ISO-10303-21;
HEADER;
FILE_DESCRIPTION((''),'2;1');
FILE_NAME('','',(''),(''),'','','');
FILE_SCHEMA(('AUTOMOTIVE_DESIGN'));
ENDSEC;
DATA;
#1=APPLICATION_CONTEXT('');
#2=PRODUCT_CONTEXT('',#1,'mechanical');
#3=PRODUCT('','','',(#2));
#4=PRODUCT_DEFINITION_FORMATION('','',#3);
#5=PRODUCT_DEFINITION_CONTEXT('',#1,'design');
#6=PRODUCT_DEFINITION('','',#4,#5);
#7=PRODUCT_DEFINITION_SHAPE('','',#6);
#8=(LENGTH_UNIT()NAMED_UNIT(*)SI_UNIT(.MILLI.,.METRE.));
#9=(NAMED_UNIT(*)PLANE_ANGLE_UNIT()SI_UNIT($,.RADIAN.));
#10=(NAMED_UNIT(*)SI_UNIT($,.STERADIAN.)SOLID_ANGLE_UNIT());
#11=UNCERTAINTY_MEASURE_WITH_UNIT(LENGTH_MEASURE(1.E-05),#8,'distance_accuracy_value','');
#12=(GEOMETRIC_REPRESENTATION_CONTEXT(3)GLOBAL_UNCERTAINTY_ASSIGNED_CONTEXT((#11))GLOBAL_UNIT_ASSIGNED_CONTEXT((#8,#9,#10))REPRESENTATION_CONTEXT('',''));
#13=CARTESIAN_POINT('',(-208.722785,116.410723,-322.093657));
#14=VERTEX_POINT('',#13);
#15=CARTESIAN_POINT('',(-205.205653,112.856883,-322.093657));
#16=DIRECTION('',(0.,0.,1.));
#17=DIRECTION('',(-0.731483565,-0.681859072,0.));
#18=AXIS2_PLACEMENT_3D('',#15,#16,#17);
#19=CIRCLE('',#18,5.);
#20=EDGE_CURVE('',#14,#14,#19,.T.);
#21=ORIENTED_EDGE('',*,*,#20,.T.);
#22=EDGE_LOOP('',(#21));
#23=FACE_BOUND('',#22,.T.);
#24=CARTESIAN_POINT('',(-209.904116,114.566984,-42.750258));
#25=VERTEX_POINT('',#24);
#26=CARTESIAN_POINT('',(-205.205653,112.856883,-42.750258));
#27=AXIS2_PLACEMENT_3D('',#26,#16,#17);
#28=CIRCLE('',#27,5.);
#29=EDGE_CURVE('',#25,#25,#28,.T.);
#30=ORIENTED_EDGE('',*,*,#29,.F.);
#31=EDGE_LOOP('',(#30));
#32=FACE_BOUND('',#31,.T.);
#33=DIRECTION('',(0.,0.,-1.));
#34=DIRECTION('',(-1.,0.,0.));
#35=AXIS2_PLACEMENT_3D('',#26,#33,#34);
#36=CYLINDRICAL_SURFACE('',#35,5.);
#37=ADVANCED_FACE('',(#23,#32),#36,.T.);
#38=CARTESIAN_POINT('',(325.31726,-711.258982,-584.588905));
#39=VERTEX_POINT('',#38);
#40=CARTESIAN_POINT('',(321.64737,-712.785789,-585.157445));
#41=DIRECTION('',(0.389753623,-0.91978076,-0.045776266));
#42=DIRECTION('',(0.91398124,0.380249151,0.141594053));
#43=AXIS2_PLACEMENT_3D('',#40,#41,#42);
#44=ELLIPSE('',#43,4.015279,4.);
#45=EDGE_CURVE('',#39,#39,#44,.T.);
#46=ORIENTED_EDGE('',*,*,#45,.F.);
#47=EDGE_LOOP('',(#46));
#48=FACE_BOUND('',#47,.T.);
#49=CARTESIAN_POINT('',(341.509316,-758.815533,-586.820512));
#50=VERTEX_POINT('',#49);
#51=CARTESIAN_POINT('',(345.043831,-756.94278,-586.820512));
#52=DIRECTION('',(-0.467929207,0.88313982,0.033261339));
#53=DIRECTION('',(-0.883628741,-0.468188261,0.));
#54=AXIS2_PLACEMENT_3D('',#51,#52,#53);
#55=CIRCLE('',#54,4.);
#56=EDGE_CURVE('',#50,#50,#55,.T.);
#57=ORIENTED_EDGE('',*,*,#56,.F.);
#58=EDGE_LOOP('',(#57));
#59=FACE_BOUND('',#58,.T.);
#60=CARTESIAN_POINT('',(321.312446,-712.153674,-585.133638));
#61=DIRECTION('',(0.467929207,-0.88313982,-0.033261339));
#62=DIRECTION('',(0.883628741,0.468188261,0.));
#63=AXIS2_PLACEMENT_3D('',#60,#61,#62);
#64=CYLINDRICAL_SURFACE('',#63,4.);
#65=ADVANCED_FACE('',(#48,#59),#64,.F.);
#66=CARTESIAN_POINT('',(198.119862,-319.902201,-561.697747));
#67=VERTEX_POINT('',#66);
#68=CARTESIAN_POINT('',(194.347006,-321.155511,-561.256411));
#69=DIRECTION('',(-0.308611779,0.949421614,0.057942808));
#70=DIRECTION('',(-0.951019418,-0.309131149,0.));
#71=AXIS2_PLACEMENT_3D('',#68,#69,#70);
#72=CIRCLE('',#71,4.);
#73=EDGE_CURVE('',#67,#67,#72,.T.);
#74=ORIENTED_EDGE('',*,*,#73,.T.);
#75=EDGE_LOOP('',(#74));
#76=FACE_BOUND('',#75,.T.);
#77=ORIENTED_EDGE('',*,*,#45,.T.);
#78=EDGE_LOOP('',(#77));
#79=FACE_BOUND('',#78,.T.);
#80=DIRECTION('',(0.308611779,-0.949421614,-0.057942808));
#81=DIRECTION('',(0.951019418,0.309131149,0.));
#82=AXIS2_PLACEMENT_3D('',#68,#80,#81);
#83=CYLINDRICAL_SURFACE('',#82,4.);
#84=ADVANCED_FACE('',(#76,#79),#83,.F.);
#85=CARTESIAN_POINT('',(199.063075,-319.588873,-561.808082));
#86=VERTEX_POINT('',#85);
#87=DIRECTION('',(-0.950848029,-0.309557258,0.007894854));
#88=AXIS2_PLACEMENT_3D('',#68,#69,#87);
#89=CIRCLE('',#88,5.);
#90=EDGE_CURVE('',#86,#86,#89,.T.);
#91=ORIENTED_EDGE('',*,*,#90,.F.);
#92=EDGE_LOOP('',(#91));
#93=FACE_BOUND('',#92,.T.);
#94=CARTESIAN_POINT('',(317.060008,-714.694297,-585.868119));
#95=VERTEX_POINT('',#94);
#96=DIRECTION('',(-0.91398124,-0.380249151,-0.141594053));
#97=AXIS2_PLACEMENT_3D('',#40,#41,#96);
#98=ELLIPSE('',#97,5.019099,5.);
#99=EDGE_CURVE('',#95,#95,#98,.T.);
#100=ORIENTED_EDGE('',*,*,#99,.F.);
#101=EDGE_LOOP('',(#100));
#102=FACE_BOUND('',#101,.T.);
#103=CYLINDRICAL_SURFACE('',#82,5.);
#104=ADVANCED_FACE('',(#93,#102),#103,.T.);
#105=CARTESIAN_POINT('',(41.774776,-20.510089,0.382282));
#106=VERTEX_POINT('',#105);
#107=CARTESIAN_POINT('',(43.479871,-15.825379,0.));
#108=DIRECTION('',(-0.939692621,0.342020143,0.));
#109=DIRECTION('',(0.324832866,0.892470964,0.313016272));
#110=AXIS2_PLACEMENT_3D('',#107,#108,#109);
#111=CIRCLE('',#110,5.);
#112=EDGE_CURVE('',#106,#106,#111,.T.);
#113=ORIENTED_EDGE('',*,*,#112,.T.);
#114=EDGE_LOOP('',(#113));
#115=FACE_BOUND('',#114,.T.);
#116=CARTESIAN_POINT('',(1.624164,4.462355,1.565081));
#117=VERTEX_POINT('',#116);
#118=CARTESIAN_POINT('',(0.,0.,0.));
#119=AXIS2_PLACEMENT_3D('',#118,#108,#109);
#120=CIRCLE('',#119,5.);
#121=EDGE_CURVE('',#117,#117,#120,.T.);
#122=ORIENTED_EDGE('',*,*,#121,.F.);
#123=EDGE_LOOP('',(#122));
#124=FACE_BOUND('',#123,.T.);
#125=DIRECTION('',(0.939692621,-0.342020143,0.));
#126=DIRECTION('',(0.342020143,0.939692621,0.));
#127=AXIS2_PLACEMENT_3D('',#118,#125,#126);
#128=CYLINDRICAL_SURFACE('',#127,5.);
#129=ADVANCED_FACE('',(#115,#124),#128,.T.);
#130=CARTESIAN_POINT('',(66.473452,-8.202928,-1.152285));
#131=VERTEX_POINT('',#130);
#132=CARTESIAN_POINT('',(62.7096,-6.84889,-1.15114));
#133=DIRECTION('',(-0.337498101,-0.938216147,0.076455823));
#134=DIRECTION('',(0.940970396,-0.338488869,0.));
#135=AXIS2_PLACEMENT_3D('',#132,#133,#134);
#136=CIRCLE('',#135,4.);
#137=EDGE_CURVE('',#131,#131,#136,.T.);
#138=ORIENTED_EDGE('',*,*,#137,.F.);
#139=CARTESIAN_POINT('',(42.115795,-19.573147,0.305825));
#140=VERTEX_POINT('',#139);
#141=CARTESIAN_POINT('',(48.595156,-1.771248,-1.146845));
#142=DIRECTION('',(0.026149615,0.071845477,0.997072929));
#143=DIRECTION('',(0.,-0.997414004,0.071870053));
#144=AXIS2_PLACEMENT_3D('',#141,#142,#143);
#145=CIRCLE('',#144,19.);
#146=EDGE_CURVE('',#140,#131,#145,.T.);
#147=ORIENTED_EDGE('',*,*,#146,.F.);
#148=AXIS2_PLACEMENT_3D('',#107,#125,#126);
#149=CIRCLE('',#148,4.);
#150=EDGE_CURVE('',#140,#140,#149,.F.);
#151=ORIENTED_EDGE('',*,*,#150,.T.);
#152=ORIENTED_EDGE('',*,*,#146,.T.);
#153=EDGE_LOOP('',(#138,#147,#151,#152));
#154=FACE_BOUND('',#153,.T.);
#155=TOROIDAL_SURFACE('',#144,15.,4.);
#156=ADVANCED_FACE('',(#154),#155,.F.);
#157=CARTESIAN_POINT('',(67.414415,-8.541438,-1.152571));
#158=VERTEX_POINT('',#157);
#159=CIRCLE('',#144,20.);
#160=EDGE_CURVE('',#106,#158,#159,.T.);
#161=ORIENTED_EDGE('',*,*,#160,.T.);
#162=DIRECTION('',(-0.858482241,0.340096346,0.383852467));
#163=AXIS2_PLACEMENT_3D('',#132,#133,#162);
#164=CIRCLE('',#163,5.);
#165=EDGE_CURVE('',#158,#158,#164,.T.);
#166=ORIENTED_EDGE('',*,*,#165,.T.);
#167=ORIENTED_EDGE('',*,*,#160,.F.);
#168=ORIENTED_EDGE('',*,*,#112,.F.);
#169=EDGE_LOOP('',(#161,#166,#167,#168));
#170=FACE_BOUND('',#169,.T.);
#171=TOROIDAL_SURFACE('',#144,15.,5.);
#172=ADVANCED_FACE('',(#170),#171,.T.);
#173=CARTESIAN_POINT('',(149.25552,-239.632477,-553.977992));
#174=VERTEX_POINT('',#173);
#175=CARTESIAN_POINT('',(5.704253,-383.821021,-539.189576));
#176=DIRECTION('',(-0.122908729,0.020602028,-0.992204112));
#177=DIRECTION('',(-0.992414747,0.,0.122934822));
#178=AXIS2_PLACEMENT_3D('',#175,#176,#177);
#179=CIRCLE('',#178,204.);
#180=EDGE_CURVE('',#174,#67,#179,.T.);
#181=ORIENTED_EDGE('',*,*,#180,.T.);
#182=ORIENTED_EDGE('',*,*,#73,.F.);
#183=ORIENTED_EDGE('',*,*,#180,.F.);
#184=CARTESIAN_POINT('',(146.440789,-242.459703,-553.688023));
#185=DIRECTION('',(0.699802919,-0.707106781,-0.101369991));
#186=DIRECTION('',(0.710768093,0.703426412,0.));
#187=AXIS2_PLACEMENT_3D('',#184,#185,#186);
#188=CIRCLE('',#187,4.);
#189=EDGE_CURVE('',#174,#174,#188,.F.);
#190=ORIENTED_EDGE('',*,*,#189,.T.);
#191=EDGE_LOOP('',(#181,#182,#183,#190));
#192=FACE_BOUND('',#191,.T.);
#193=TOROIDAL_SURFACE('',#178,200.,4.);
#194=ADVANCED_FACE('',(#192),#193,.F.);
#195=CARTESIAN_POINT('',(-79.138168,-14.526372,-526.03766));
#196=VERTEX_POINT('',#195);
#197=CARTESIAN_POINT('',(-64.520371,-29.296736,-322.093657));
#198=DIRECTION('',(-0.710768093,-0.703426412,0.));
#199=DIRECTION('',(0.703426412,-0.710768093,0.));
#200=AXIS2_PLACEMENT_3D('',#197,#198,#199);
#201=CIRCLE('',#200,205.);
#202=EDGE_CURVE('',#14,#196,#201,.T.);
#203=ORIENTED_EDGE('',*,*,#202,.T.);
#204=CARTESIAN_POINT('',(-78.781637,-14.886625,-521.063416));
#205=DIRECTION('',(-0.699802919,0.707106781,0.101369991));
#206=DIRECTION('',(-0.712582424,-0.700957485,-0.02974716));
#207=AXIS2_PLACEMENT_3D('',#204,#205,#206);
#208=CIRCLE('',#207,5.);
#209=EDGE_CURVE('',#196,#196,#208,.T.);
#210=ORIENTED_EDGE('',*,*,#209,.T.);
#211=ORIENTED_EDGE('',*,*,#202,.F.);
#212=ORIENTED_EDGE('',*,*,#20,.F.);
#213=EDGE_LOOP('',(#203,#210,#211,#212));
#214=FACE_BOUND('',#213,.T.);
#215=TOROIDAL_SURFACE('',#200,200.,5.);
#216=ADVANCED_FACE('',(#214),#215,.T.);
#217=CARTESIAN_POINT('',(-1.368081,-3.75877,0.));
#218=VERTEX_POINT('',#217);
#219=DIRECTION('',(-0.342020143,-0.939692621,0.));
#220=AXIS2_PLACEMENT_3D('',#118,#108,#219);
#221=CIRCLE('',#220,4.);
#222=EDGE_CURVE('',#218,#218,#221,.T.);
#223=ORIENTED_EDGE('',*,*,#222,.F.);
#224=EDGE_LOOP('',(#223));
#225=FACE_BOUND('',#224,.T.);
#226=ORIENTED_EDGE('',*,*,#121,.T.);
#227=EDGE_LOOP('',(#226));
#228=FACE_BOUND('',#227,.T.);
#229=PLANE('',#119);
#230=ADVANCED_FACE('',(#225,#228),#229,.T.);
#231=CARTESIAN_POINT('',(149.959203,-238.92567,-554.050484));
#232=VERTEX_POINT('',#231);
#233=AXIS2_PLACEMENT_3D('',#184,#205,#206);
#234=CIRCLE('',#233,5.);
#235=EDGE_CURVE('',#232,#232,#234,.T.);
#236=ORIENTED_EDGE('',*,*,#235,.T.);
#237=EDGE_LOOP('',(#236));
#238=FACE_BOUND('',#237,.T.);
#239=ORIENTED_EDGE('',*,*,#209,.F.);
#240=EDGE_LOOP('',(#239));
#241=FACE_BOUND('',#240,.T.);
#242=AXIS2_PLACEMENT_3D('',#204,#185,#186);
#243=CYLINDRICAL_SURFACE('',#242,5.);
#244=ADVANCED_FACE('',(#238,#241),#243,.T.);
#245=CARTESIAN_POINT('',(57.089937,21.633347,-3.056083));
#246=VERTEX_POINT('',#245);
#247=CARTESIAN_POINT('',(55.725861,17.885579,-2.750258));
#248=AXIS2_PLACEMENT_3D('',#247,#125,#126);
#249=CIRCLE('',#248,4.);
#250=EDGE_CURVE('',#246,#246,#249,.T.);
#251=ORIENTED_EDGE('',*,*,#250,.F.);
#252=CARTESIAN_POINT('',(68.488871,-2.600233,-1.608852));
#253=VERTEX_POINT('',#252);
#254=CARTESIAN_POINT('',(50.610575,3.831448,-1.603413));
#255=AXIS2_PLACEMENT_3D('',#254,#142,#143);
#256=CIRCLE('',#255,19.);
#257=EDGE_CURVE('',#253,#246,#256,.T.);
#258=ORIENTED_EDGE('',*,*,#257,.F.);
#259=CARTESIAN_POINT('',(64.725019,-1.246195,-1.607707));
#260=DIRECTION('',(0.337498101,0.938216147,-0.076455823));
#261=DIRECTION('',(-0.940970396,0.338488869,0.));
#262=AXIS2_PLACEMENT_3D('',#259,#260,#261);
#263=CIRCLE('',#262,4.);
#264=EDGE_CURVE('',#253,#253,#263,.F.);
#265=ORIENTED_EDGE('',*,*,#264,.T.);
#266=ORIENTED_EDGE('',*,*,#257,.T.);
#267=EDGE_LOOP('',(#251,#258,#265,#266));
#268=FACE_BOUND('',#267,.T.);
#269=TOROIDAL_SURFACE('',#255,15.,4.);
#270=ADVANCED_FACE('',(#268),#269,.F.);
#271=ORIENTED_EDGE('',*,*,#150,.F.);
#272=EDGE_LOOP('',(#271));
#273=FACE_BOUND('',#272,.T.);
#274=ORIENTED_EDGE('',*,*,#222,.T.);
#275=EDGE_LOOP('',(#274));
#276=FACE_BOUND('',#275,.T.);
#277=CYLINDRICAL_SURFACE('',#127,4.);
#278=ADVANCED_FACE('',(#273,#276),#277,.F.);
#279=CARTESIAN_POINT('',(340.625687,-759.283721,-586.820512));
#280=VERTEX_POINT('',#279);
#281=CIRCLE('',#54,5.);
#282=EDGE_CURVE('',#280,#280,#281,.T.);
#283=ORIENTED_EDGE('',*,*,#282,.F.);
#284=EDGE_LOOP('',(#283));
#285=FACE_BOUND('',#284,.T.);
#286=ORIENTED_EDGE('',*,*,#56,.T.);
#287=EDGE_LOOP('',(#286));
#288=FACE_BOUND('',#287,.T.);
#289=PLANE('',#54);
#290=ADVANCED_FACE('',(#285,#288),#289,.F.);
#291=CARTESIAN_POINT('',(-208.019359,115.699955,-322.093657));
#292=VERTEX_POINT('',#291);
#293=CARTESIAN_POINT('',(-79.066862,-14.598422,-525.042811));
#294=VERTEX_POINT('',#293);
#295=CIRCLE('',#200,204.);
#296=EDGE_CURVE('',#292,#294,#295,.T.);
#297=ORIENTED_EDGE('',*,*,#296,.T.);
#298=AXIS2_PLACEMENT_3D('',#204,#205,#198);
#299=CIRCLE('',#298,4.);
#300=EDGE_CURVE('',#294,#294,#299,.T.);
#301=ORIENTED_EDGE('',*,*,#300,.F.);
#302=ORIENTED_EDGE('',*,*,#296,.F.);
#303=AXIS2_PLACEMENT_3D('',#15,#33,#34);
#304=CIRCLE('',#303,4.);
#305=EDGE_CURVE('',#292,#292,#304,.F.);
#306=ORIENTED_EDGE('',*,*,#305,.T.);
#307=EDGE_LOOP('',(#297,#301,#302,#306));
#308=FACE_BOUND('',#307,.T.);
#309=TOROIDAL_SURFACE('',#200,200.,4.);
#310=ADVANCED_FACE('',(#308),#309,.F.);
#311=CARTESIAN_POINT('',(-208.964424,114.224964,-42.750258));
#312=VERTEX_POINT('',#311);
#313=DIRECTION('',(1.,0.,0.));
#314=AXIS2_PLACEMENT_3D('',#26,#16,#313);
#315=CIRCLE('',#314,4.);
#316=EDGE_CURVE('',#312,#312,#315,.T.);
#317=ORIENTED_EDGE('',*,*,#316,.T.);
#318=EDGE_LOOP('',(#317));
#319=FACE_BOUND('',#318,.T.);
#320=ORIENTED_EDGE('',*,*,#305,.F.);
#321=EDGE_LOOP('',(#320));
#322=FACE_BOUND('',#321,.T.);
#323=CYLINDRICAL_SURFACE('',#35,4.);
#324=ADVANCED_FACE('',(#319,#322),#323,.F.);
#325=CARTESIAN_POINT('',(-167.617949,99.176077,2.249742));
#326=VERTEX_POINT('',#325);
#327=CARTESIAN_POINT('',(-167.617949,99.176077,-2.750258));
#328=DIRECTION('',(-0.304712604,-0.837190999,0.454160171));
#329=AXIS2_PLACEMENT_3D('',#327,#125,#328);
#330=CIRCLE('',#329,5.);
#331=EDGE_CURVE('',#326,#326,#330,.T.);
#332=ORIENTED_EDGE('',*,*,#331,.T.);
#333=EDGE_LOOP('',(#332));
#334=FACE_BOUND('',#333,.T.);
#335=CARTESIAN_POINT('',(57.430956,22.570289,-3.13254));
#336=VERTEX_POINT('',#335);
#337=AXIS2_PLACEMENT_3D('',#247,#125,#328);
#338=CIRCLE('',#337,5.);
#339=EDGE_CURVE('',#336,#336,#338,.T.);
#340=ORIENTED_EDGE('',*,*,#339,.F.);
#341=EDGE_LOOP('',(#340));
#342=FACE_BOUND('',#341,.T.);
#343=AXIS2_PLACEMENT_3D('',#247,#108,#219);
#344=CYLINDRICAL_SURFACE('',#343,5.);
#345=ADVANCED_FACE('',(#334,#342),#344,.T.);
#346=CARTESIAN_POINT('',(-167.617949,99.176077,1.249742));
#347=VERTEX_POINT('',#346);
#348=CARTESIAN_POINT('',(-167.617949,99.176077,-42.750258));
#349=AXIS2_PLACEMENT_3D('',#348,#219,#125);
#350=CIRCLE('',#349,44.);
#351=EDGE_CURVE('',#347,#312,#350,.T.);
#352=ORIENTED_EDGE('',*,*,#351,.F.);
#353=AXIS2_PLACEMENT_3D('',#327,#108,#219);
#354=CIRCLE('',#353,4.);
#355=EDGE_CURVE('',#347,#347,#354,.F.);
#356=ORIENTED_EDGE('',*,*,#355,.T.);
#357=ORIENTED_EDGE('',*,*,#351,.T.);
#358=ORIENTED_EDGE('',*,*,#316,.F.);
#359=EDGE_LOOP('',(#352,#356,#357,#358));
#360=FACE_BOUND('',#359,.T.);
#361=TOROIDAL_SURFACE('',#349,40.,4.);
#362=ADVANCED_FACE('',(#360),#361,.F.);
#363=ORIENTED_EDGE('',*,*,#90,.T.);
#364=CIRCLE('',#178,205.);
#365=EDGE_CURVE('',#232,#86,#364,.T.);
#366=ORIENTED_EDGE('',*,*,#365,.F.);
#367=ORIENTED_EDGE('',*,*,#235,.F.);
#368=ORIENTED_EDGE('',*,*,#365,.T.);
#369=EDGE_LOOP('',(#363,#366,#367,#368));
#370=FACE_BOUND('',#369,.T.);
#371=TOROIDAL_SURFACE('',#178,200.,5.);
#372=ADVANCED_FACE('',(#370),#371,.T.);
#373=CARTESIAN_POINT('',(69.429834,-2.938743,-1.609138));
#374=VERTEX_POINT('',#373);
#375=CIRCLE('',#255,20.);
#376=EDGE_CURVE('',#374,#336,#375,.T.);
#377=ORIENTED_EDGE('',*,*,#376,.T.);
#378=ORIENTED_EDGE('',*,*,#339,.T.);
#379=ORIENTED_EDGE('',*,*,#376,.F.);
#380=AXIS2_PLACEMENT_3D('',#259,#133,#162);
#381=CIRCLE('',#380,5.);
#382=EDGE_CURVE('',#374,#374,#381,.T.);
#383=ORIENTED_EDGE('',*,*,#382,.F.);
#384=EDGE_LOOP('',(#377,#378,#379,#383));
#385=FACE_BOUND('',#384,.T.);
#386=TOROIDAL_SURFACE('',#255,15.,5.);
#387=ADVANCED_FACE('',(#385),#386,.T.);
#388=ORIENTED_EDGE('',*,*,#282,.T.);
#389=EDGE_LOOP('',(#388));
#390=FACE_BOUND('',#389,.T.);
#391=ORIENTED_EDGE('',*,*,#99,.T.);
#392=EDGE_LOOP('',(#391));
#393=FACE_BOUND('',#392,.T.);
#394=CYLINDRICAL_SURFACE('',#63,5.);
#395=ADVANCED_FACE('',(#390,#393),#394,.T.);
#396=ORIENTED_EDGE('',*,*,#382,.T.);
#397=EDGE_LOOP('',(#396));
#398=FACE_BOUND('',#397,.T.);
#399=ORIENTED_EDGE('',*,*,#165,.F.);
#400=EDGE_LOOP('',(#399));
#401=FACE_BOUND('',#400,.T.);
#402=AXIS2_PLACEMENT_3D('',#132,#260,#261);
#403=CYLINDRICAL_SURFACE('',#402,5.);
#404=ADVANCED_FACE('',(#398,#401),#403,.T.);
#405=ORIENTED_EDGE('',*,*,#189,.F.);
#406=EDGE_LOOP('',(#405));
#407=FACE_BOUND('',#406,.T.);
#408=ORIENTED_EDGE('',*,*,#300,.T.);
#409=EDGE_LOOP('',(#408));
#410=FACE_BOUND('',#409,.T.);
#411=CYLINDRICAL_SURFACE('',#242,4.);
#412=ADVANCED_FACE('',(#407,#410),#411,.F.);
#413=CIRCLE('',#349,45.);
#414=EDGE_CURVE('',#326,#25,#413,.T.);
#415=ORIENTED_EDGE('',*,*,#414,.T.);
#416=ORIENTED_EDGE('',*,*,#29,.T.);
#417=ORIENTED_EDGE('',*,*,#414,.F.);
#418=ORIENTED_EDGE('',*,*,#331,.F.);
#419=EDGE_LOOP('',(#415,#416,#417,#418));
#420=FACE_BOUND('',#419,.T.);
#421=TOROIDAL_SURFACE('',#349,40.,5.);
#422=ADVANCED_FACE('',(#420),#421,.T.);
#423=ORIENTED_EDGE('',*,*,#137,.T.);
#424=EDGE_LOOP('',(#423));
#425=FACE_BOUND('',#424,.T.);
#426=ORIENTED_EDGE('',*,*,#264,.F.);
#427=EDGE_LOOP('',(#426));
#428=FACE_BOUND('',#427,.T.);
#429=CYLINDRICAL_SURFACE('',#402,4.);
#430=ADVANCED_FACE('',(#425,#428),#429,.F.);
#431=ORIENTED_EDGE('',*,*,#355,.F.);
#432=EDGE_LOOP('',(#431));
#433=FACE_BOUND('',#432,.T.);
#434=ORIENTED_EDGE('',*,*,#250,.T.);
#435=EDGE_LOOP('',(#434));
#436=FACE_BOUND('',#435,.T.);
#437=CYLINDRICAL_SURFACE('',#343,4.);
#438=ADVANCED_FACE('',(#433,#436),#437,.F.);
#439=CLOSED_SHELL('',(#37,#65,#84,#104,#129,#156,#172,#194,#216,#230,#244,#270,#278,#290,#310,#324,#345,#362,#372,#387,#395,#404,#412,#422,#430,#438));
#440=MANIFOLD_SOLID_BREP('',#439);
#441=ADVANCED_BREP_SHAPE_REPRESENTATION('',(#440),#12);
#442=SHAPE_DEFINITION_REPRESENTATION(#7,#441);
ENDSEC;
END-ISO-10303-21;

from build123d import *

# Parameters (mm, degrees)
SWEEP_THIN1_PROFILE_R   = 5
SWEEP_THIN1_PROFILE_R_2 = 4


with BuildPart() as part:
    # Sweep-Thin1: sweep along a curve in space
    with BuildLine() as sweep_thin1_path:
        Line((0, 0, 0), (43.479870696, -15.825378723, 0))
        ThreePointArc((62.709599984, -6.848890283, -1.151139577), (54.970468973, -15.324853075, -0.337422886), (43.479870696, -15.825378723, 0))
        Line((64.725019351, -1.246195083, -1.60770673), (62.709599984, -6.848890283, -1.151139577))
        ThreePointArc((64.725019351, -1.246195083, -1.60770673), (64.182661882, 10.166933384, -2.415871504), (55.725860842, 17.885578681, -2.750257937))
        Line((55.725860842, 17.885578681, -2.750257937), (-167.617948509, 99.176077292, -2.750257937))
        ThreePointArc((-167.617948509, 99.176077292, -2.750257937), (-194.196469484, 108.849867798, -14.465986689), (-205.20565334, 112.856883025, -42.750257937))
        Line((-205.20565334, 112.856883025, -42.750257937), (-205.20565334, 112.856883025, -322.093656878))
        ThreePointArc((-205.20565334, 112.856883025, -322.093656878), (-168.920320359, 76.192839016, -456.155583569), (-78.781636639, -14.88662465, -521.063415888))
        Line((-78.781636639, -14.88662465, -521.063415888), (146.440789385, -242.459703389, -553.6880229))
        ThreePointArc((146.440789385, -242.459703389, -553.6880229), (174.976176905, -278.969214209, -557.980907951), (194.347006474, -321.155510877, -561.256410736))
        Line((194.347006474, -321.155510877, -561.256410736), (321.647370226, -712.78578901, -585.157444605))
        Line((321.647370226, -712.78578901, -585.157444605), (345.043830557, -756.94277999, -586.820511541))
    # Sweep-Thin1 profile (on start of the path) → Sweep-Thin1 (sweep)
    with BuildSketch(Plane(origin=(0, 0, 0), x_dir=(0.34202014332566943, 0.9396926207859082, 0), z_dir=(0.9396926207859082, -0.34202014332566943, 0))):
        Circle(SWEEP_THIN1_PROFILE_R)
        Circle(SWEEP_THIN1_PROFILE_R_2, mode=Mode.SUBTRACT)
    sweep(path=sweep_thin1_path.line, transition=Transition.RIGHT)


solid = part.part
